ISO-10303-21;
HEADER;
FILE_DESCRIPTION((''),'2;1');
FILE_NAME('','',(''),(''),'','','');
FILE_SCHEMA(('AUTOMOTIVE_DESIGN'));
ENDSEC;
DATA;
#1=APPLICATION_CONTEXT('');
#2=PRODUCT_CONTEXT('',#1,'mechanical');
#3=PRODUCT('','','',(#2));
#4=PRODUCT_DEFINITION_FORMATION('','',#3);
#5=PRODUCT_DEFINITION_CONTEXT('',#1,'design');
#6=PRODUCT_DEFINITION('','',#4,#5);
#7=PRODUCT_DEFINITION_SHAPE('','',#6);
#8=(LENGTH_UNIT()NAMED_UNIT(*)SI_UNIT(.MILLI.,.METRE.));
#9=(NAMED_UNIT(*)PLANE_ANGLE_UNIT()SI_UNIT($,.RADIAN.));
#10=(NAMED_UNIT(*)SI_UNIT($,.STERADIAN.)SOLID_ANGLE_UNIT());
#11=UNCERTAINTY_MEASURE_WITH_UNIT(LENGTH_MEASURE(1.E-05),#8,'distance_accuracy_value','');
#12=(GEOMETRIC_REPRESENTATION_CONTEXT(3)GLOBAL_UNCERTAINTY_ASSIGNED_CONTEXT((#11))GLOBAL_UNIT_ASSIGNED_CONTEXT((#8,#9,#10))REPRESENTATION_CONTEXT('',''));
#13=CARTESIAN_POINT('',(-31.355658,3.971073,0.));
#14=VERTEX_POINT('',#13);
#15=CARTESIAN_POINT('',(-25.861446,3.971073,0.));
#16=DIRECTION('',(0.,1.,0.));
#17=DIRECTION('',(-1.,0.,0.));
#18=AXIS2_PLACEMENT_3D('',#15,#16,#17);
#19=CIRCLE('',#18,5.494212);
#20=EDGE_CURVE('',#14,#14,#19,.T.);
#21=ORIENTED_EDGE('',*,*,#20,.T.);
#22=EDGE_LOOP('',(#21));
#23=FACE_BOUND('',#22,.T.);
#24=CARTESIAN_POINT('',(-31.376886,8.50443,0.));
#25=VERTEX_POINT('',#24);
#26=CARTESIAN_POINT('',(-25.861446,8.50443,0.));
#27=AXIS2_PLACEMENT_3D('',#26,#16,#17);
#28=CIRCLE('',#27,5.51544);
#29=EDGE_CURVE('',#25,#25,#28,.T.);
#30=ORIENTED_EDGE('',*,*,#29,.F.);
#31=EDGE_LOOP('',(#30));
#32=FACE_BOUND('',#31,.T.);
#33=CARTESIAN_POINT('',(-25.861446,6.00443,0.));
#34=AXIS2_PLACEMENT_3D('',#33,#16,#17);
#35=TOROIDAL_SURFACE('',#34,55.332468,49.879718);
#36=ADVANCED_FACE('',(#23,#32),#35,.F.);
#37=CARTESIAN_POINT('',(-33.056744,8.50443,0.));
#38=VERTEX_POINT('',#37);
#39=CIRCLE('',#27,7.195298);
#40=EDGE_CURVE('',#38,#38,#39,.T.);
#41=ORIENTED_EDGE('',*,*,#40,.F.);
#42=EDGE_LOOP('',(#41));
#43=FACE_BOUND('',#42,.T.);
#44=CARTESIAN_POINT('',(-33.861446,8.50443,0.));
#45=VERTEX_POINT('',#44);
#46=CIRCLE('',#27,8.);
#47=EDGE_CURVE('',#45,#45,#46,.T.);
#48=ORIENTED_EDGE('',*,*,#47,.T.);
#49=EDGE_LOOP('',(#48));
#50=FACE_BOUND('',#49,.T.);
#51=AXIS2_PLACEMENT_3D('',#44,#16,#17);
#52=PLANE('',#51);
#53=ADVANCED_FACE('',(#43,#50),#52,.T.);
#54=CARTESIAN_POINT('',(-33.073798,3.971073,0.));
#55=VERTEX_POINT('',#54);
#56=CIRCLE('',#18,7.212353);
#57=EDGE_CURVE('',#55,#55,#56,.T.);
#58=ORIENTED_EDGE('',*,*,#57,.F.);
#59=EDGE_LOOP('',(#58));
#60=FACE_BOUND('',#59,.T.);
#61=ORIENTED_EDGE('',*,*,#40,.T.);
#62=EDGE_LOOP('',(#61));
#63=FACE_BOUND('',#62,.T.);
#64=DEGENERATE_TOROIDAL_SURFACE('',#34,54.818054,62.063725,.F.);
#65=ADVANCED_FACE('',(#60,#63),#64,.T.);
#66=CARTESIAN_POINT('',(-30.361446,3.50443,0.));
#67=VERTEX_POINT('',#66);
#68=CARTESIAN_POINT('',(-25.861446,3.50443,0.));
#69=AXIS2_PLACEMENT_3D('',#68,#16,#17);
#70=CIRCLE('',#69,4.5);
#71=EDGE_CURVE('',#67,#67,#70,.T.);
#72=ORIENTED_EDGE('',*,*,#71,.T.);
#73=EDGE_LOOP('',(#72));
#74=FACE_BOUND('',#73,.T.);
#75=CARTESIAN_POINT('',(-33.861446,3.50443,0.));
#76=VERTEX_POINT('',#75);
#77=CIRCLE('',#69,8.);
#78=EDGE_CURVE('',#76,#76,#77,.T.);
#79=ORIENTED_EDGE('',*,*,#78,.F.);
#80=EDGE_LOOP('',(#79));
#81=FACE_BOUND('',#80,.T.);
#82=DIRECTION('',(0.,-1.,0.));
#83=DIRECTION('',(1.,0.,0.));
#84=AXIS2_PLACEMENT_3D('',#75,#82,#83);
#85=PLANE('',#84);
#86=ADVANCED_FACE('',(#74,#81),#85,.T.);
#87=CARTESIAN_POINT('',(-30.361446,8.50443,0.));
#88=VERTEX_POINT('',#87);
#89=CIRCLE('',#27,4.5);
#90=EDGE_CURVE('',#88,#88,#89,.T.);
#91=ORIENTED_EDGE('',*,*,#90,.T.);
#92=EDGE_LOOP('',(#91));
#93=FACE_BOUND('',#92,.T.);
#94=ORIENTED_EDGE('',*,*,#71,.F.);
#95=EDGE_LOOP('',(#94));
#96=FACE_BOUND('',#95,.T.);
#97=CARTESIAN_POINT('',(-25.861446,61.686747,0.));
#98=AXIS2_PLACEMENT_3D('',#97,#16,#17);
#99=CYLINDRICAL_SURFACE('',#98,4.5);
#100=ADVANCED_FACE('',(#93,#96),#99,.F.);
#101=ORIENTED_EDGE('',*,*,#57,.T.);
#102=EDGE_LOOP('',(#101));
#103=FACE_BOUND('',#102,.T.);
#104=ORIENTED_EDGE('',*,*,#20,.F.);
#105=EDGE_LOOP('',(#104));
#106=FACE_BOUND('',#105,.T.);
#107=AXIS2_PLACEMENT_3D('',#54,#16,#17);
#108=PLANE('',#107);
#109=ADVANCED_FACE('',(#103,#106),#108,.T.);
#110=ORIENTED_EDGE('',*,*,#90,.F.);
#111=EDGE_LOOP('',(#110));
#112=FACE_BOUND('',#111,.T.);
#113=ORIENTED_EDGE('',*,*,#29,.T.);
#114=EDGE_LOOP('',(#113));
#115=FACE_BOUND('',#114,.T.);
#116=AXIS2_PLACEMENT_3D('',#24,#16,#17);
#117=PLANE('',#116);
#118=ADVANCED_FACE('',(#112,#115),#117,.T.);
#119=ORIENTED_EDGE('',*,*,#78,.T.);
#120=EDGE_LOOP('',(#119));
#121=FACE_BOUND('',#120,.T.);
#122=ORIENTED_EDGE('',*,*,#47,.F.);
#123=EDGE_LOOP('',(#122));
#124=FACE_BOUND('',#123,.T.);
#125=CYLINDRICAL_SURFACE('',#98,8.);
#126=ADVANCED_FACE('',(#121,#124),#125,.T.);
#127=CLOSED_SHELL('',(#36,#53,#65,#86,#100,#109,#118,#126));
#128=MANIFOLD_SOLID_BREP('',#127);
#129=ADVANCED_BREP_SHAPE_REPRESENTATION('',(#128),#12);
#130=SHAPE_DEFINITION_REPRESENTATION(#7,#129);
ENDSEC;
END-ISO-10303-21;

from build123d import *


with BuildPart() as part:
    # Sketch1 → Revolve3 (revolve)
    with BuildSketch(Plane.XY):
        with BuildLine():
            Line((-30.361445783, 3.504430058), (-30.361445783, 8.504430058))
            Line((-30.361445783, 8.504430058), (-31.376885957, 8.504430058))
            ThreePointArc((-31.376885957, 8.504430058), (-31.314742682, 6.237992883), (-31.355658186, 3.971073128))
            Line((-31.355658186, 3.971073128), (-33.073798324, 3.971073128))
            ThreePointArc((-33.073798324, 3.971073128), (-33.106676939, 6.237907358), (-33.056744184, 8.504430058))
            Line((-33.056744184, 8.504430058), (-33.861445783, 8.504430058))
            Line((-33.861445783, 8.504430058), (-33.861445783, 3.504430058))
            Line((-33.861445783, 3.504430058), (-30.361445783, 3.504430058))
        make_face()
    revolve(axis=Axis((-25.861445783, 61.686746988, 0), (0, -1, 0)))


solid = part.part
